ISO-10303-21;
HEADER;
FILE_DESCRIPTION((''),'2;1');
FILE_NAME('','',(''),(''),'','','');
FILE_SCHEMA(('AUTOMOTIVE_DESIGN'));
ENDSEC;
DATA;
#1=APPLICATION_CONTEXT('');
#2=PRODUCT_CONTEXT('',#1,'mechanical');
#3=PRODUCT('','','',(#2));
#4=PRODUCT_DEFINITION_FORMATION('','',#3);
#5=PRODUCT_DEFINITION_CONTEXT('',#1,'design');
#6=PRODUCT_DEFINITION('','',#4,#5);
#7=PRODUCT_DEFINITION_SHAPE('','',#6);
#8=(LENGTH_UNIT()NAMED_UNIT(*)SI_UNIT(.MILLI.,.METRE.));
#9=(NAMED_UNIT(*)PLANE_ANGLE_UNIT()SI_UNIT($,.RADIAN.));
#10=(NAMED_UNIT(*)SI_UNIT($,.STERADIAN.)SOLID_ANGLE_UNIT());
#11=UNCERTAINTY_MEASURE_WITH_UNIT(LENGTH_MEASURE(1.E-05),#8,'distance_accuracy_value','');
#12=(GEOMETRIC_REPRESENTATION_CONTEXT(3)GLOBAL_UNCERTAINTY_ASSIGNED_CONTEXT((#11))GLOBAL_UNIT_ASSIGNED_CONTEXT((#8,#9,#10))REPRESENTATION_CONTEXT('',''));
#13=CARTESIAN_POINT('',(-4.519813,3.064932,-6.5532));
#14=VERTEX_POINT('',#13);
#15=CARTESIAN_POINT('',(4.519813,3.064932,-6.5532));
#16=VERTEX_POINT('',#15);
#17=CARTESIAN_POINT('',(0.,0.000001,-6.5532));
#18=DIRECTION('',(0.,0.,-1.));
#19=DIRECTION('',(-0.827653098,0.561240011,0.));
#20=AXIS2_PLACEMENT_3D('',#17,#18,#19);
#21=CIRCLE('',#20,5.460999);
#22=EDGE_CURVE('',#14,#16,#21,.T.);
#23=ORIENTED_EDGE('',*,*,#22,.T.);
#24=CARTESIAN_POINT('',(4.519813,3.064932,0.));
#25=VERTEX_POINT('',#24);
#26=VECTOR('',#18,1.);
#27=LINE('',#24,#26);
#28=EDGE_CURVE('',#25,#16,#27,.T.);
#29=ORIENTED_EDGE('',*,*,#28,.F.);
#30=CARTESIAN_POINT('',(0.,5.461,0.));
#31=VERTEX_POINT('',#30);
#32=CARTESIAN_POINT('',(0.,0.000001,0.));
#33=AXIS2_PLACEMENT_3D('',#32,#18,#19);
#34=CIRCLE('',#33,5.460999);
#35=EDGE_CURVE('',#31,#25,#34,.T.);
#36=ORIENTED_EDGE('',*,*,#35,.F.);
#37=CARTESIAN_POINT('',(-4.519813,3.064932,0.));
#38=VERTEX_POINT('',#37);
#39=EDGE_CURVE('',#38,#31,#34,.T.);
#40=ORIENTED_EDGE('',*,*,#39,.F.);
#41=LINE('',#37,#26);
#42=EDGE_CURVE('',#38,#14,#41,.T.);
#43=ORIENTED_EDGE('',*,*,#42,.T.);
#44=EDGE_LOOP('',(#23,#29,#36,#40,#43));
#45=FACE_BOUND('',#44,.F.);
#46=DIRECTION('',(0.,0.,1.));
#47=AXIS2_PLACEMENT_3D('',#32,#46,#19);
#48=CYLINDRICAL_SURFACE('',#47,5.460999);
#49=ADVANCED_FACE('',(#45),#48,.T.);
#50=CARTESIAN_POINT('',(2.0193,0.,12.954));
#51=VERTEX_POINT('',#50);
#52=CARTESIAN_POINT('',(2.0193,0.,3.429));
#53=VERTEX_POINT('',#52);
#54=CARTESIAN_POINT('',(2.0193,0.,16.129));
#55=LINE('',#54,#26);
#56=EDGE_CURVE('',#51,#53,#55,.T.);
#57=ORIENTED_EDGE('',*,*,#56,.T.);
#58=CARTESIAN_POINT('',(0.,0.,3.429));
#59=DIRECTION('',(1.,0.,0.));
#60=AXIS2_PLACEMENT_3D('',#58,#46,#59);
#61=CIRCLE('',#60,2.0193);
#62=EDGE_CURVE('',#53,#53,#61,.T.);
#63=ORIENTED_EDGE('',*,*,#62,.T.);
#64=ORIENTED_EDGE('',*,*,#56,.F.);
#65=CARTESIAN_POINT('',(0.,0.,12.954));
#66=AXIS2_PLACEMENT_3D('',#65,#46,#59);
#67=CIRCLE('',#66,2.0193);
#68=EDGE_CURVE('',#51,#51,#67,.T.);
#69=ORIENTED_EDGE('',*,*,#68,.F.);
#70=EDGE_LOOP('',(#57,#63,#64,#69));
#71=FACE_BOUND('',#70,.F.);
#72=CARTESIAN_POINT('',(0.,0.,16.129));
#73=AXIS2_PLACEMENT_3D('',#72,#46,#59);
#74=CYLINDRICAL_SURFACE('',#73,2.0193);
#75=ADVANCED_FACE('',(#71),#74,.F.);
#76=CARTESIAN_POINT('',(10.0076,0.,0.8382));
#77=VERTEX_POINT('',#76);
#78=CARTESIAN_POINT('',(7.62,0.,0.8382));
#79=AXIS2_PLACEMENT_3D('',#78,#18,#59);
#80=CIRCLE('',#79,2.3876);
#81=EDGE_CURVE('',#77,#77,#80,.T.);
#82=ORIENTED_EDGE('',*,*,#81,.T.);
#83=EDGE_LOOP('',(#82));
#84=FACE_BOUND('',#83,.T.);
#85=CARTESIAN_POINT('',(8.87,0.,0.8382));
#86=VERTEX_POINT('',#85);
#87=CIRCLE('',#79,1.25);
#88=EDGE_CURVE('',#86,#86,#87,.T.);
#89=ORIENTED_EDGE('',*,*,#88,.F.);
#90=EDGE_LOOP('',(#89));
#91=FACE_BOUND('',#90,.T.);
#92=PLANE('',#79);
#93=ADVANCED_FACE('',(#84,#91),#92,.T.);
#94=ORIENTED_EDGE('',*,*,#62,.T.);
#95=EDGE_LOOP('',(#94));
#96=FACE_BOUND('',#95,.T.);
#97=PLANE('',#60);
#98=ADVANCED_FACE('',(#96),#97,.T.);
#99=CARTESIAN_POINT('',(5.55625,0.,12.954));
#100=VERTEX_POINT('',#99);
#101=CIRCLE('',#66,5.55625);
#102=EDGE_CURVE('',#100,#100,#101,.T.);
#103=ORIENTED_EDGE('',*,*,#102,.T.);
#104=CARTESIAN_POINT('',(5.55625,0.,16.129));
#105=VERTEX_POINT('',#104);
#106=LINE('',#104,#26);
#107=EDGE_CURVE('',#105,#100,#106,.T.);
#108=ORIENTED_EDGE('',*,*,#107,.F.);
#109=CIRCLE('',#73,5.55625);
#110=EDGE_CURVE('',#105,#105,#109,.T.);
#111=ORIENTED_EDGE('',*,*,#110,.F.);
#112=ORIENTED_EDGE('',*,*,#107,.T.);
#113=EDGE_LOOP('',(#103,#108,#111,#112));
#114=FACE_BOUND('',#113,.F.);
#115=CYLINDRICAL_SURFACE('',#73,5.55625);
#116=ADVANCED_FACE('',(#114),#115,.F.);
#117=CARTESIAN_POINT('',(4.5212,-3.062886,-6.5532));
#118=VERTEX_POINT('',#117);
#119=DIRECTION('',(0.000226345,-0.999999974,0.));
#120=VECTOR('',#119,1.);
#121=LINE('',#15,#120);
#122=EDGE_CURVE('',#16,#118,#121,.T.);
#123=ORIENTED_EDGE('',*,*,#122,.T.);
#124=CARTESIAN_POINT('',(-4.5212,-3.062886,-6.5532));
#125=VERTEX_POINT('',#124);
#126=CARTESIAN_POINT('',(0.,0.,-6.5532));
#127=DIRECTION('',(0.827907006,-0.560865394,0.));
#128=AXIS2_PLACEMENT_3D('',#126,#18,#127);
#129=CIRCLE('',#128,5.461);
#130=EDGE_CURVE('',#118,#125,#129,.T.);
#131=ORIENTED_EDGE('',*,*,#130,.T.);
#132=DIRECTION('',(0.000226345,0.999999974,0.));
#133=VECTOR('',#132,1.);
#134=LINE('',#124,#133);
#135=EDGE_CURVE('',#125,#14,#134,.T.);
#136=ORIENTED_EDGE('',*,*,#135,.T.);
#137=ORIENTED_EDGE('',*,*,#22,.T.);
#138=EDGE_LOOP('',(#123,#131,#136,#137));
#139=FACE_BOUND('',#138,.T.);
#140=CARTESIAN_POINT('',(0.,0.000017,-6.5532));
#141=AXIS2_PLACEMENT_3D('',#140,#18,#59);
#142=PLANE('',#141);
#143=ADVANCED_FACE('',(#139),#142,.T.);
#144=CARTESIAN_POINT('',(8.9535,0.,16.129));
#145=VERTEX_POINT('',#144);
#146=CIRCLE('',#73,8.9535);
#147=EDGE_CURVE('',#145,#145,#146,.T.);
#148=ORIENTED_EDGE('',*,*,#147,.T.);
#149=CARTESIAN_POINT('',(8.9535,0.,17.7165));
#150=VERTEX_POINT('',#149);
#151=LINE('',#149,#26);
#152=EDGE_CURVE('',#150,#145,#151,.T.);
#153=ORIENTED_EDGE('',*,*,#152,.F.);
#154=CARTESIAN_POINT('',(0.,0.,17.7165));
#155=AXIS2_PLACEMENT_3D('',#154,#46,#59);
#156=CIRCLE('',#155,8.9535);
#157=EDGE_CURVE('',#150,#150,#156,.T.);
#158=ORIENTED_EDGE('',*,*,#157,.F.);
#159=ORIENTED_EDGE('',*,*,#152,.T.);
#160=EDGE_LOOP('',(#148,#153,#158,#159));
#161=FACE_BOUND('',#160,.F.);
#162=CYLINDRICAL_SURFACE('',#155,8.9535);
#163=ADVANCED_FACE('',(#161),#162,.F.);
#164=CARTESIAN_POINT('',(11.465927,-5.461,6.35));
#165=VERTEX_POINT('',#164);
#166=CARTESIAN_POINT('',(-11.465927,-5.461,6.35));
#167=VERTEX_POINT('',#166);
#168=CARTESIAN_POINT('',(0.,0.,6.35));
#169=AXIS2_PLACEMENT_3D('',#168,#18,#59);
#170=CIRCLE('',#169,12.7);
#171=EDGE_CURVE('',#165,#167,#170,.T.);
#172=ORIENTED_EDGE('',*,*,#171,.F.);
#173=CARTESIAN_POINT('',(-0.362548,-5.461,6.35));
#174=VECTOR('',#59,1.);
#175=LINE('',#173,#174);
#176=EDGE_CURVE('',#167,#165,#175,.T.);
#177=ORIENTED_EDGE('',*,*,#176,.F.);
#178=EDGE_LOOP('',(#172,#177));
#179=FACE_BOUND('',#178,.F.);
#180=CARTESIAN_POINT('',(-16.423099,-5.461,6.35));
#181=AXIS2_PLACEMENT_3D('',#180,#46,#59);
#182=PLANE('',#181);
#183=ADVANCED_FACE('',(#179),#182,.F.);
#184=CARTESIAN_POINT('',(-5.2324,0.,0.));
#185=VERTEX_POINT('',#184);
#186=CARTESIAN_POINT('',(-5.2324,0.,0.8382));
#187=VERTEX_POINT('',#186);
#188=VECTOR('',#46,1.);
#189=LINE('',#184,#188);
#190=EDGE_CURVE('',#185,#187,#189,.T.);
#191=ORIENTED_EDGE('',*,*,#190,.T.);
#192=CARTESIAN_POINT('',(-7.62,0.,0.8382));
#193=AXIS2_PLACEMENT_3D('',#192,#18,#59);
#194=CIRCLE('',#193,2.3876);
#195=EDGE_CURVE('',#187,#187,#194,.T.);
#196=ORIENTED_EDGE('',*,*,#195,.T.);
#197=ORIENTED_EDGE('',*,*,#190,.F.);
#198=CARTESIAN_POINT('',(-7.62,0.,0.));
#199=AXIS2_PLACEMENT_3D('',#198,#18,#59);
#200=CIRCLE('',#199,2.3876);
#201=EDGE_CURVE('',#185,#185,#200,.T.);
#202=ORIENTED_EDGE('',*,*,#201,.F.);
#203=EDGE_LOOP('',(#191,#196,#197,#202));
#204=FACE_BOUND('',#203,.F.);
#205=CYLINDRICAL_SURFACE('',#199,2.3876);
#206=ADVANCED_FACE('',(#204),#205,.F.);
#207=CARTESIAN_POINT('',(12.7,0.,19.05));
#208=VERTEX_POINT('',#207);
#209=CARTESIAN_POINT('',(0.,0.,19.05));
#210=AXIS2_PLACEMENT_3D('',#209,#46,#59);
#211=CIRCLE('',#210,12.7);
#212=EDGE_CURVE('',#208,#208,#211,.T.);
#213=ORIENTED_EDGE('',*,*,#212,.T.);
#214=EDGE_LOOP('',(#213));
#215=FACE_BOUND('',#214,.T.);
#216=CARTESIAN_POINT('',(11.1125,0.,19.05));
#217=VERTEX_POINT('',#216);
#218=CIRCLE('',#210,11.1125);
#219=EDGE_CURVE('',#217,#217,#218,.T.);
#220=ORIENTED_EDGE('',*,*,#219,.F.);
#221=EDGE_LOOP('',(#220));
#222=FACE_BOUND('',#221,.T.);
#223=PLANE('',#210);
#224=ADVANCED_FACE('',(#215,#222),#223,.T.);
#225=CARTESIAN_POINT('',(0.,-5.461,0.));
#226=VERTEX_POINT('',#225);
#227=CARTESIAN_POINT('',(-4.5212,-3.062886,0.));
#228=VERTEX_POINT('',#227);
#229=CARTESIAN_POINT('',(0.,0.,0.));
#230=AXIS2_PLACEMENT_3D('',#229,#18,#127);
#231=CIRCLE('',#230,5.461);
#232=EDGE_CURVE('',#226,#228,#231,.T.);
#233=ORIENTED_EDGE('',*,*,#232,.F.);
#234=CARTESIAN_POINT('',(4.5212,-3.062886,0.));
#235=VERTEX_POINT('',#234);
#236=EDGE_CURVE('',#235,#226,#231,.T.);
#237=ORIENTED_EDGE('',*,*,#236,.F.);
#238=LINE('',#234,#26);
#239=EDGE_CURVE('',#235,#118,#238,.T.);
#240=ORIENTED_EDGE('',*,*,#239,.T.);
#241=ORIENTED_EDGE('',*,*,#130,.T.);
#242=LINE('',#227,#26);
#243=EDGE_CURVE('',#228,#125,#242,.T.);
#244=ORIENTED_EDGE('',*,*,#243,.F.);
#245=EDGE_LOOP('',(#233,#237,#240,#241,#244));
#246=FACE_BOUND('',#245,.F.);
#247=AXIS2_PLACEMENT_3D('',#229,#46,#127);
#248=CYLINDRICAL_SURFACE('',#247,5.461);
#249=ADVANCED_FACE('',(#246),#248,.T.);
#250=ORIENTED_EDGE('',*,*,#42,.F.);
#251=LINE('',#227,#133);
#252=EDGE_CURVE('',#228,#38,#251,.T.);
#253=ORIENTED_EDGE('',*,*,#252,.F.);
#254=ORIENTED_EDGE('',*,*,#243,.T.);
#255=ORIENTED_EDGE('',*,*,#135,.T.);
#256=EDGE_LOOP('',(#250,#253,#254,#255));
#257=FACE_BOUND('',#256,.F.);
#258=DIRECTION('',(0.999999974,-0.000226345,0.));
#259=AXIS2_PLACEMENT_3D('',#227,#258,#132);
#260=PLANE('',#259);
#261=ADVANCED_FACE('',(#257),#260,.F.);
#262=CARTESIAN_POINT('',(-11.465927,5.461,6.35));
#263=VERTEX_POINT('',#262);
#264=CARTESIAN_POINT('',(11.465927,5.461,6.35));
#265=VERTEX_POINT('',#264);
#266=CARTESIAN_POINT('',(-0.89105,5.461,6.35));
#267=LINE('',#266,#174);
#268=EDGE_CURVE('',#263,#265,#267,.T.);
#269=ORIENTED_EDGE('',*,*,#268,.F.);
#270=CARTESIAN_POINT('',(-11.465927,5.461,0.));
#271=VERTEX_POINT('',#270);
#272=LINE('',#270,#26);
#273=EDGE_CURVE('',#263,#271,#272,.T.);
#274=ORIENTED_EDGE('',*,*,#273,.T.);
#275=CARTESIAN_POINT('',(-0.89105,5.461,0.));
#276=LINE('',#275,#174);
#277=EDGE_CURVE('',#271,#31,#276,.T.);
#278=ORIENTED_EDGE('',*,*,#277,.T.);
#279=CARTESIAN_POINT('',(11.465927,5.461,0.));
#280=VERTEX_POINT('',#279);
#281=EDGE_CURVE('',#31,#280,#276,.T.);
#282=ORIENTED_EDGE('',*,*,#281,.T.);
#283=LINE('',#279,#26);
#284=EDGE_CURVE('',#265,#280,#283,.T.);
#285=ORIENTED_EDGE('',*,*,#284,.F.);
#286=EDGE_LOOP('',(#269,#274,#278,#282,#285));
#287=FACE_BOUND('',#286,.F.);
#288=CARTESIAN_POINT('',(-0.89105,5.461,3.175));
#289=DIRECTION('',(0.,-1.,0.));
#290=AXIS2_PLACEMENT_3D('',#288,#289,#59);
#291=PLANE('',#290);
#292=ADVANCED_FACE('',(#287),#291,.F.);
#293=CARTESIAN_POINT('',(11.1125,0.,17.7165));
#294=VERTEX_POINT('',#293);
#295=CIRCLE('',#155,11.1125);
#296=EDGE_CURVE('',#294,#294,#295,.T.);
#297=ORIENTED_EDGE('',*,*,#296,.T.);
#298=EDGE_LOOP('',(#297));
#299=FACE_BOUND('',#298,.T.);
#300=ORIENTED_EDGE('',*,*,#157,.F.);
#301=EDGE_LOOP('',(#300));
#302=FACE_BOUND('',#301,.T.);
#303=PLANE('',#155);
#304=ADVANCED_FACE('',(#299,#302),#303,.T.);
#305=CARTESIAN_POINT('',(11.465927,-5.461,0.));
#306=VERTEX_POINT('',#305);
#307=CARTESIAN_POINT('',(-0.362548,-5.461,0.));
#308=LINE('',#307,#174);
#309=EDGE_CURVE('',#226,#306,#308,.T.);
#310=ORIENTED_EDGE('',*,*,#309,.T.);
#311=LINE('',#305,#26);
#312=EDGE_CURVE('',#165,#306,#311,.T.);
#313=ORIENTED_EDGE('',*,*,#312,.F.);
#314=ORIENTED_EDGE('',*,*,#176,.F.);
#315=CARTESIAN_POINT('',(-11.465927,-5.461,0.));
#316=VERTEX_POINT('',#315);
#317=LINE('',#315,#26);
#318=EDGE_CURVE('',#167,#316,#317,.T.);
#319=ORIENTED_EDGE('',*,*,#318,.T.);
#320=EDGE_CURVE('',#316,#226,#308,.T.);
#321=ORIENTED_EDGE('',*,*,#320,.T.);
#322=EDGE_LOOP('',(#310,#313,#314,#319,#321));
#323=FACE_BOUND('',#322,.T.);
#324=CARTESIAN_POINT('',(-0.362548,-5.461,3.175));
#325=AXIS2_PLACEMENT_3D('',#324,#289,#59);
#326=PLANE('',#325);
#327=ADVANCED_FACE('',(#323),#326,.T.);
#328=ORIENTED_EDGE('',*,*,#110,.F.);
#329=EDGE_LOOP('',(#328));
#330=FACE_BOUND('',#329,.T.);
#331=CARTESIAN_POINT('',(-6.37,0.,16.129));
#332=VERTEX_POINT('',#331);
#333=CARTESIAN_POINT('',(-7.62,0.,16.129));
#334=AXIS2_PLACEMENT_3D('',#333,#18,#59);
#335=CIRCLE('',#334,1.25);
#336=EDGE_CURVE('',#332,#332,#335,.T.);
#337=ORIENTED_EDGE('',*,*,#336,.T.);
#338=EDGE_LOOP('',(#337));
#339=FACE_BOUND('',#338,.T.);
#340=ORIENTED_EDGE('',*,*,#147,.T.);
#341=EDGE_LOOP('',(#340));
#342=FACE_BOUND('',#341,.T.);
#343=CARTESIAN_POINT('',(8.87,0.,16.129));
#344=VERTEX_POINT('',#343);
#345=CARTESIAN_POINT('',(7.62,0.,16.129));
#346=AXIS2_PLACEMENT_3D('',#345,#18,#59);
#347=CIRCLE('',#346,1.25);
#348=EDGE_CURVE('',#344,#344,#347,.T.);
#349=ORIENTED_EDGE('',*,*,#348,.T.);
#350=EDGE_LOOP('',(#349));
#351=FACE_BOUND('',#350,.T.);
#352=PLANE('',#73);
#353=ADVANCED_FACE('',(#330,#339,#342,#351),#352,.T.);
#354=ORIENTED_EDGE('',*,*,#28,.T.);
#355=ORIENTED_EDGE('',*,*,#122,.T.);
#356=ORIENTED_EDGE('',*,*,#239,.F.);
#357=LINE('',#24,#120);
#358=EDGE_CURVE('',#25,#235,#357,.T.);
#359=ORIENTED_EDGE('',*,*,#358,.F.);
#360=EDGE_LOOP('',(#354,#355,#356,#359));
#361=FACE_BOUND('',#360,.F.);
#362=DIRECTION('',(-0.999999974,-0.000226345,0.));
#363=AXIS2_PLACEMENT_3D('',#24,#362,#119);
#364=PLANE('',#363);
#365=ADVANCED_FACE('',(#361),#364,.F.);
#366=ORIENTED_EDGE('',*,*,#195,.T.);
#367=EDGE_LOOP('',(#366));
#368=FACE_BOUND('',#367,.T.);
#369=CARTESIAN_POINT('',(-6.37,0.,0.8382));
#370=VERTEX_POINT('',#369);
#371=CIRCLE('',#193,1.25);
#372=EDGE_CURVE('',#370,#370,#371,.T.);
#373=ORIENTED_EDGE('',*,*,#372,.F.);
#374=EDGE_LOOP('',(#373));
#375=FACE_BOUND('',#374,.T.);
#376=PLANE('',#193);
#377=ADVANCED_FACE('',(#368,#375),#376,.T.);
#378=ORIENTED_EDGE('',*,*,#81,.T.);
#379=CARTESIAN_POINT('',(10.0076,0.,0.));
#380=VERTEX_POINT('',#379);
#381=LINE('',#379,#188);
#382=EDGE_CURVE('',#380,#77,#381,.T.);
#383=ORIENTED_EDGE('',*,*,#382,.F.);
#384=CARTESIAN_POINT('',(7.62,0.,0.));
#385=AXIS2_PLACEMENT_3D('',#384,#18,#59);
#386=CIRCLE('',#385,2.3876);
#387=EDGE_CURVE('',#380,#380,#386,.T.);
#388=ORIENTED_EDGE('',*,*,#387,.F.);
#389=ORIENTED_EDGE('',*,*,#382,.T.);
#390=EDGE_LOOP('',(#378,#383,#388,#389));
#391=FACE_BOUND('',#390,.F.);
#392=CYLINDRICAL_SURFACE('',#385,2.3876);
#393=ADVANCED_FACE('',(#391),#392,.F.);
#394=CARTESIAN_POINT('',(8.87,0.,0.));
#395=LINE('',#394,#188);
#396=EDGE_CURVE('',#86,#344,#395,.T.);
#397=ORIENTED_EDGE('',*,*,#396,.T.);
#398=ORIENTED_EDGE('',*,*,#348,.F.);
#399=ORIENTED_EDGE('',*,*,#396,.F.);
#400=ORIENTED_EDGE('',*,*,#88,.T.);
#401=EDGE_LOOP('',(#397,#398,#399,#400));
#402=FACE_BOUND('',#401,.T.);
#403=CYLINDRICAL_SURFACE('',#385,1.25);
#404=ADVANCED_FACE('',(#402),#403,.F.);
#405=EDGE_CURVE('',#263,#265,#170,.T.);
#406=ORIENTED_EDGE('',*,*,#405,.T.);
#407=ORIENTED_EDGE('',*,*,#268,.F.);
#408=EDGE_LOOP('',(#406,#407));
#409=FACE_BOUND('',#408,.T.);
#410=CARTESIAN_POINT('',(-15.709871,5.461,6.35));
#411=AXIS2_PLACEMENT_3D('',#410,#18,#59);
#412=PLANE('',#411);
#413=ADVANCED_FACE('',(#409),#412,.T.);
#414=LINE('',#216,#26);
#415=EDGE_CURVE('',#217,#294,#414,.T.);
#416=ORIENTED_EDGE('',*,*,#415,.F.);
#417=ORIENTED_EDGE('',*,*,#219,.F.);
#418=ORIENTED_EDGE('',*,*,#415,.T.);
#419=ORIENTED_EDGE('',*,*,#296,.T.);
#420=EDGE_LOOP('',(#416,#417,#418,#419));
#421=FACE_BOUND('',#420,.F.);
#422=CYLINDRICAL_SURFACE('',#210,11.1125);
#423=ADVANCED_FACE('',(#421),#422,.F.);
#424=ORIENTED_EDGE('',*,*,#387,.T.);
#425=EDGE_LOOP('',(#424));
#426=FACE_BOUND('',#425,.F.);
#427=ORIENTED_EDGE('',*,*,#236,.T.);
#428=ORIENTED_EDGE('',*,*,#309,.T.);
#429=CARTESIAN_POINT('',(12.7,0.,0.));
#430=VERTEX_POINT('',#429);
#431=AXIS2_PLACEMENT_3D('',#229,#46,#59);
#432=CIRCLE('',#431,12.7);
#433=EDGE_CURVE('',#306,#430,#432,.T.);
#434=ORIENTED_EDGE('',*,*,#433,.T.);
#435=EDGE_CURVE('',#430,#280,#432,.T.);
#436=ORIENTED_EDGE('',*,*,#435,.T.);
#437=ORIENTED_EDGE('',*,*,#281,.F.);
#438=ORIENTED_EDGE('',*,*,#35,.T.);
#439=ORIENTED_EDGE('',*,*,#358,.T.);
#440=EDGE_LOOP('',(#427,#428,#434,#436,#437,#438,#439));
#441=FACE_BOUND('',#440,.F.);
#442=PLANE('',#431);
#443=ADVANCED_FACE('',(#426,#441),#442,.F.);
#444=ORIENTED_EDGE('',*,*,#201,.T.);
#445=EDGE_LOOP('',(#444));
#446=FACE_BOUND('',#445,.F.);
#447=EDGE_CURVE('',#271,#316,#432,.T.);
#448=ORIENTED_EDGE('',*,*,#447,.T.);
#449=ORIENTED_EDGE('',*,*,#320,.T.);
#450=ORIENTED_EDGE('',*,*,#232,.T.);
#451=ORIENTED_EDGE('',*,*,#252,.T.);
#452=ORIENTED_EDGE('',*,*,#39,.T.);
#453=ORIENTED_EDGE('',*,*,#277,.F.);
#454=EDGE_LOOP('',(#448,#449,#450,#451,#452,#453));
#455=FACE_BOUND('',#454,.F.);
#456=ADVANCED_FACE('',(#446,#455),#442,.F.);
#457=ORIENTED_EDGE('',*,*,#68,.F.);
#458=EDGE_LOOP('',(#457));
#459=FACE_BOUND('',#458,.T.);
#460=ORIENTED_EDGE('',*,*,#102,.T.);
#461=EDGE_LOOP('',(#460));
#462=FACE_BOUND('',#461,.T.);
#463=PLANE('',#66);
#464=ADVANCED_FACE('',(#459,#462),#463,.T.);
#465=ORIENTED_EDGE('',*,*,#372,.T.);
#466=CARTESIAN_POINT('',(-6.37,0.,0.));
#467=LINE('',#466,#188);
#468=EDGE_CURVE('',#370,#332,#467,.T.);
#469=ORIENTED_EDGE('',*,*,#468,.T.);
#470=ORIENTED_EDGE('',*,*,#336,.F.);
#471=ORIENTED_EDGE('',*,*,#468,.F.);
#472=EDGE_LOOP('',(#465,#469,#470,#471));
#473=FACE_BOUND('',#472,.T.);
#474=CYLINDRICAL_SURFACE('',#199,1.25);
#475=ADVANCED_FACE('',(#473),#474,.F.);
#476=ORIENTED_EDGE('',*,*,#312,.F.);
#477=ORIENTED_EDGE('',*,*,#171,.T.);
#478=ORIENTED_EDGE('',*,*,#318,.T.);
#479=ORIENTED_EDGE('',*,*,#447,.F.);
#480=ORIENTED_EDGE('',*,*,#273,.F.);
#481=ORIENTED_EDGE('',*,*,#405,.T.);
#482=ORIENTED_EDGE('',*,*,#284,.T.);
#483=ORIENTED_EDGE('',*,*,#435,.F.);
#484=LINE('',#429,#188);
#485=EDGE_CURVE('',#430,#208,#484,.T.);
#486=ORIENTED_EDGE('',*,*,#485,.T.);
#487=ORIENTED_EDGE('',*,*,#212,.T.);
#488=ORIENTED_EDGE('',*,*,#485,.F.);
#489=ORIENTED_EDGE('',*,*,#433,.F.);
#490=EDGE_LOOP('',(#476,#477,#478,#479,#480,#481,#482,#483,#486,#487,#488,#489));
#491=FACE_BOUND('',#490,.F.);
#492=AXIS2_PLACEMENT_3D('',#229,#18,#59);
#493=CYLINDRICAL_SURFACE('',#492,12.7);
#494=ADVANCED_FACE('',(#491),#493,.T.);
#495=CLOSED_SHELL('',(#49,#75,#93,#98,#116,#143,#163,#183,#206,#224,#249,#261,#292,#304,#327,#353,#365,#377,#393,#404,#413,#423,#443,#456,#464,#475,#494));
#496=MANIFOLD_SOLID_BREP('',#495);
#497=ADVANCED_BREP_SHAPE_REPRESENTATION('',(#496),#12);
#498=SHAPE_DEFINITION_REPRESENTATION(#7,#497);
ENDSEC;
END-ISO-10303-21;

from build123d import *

# Parameters (mm, degrees)
F0_R      = 12.7
F0_R_2    = 1.25
F1_DEPTH  = 19.05
F2_R      = 11.1125
F3_DEPTH  = 1.3335
F4_R      = 8.9535
F5_DEPTH  = 1.5875
F6_R      = 2.3876
F6_R_2    = 1.25
F7_DEPTH  = 0.8382
F9_DEPTH  = 6.5532
F10_R     = 2.0193
F11_DEPTH = 12.7
F12_R     = 5.55625
F13_DEPTH = 3.175
F15_W     = 32.121103
F15_H     = 6.35
F16_DEPTH = 25.4
F18_W     = 29.637642
F18_H     = 6.35
F19_DEPTH = 25.4


with BuildPart() as f1:
    # F0 (on Top) → F1 (new body)
    with BuildSketch(Plane.XY):
        Circle(F0_R)
        with Locations((-7.62, 0)):
            Circle(F0_R_2, mode=Mode.SUBTRACT)
        with Locations((7.62, 0)):
            Circle(F0_R_2, mode=Mode.SUBTRACT)
    extrude(amount=F1_DEPTH)

    # F2 (on face) → F3 (cut)
    with BuildSketch(Plane.XY.offset(19.05)):
        Circle(F2_R)
    extrude(amount=-F3_DEPTH, mode=Mode.SUBTRACT)

    # F4 (on face) → F5 (cut)
    with BuildSketch(Plane.XY.offset(17.7165)):
        Circle(F4_R)
    extrude(amount=-F5_DEPTH, mode=Mode.SUBTRACT)

    # F6 (on face) → F7 (cut)
    with BuildSketch(Plane(origin=(0, 0, 0), x_dir=(1, 0, 0), z_dir=(0, 0, -1))):
        with Locations((-7.62, 0)):
            Circle(F6_R)
        with Locations((-7.62, 0)):
            Circle(F6_R_2, mode=Mode.SUBTRACT)
        with Locations((7.62, 0)):
            Circle(F6_R)
        with Locations((7.62, 0)):
            Circle(F6_R_2, mode=Mode.SUBTRACT)
    extrude(amount=-F7_DEPTH, mode=Mode.SUBTRACT)

    # F8 (on face) → F9 (join)
    with BuildSketch(Plane(origin=(0, 0, 0), x_dir=(1, 0, 0), z_dir=(0, 0, -1))):
        with BuildLine():
            Line((-4.5212, 3.062886), (-4.519813, -3.064932))
            ThreePointArc((-4.519813, -3.064932), (0, -5.461), (4.519813, -3.064932))
            Line((4.519813, -3.064932), (4.5212, 3.062886))
            ThreePointArc((4.5212, 3.062886), (0, 5.461), (-4.5212, 3.062886))
        make_face()
    extrude(amount=F9_DEPTH)

    # F10 (on face) → F11 (cut)
    with BuildSketch(Plane.XY.offset(16.129)):
        Circle(F10_R)
    extrude(amount=-F11_DEPTH, mode=Mode.SUBTRACT)

    # F12 (on face) → F13 (cut)
    with BuildSketch(Plane.XY.offset(16.129)):
        Circle(F12_R)
    extrude(amount=-F13_DEPTH, mode=Mode.SUBTRACT)

    # F15 (on offset) → F16 (cut)
    with BuildSketch(Plane.XZ.offset(5.461)):
        with Locations((-0.362548, 3.175)):
            Rectangle(F15_W, F15_H)
    extrude(amount=F16_DEPTH, mode=Mode.SUBTRACT)

    # F18 (on offset) → F19 (cut)
    with BuildSketch(Plane.XZ.offset(-5.461)):
        with Locations((-0.89105, 3.175)):
            Rectangle(F18_W, F18_H)
    extrude(amount=-F19_DEPTH, mode=Mode.SUBTRACT)


solid = f1.part
